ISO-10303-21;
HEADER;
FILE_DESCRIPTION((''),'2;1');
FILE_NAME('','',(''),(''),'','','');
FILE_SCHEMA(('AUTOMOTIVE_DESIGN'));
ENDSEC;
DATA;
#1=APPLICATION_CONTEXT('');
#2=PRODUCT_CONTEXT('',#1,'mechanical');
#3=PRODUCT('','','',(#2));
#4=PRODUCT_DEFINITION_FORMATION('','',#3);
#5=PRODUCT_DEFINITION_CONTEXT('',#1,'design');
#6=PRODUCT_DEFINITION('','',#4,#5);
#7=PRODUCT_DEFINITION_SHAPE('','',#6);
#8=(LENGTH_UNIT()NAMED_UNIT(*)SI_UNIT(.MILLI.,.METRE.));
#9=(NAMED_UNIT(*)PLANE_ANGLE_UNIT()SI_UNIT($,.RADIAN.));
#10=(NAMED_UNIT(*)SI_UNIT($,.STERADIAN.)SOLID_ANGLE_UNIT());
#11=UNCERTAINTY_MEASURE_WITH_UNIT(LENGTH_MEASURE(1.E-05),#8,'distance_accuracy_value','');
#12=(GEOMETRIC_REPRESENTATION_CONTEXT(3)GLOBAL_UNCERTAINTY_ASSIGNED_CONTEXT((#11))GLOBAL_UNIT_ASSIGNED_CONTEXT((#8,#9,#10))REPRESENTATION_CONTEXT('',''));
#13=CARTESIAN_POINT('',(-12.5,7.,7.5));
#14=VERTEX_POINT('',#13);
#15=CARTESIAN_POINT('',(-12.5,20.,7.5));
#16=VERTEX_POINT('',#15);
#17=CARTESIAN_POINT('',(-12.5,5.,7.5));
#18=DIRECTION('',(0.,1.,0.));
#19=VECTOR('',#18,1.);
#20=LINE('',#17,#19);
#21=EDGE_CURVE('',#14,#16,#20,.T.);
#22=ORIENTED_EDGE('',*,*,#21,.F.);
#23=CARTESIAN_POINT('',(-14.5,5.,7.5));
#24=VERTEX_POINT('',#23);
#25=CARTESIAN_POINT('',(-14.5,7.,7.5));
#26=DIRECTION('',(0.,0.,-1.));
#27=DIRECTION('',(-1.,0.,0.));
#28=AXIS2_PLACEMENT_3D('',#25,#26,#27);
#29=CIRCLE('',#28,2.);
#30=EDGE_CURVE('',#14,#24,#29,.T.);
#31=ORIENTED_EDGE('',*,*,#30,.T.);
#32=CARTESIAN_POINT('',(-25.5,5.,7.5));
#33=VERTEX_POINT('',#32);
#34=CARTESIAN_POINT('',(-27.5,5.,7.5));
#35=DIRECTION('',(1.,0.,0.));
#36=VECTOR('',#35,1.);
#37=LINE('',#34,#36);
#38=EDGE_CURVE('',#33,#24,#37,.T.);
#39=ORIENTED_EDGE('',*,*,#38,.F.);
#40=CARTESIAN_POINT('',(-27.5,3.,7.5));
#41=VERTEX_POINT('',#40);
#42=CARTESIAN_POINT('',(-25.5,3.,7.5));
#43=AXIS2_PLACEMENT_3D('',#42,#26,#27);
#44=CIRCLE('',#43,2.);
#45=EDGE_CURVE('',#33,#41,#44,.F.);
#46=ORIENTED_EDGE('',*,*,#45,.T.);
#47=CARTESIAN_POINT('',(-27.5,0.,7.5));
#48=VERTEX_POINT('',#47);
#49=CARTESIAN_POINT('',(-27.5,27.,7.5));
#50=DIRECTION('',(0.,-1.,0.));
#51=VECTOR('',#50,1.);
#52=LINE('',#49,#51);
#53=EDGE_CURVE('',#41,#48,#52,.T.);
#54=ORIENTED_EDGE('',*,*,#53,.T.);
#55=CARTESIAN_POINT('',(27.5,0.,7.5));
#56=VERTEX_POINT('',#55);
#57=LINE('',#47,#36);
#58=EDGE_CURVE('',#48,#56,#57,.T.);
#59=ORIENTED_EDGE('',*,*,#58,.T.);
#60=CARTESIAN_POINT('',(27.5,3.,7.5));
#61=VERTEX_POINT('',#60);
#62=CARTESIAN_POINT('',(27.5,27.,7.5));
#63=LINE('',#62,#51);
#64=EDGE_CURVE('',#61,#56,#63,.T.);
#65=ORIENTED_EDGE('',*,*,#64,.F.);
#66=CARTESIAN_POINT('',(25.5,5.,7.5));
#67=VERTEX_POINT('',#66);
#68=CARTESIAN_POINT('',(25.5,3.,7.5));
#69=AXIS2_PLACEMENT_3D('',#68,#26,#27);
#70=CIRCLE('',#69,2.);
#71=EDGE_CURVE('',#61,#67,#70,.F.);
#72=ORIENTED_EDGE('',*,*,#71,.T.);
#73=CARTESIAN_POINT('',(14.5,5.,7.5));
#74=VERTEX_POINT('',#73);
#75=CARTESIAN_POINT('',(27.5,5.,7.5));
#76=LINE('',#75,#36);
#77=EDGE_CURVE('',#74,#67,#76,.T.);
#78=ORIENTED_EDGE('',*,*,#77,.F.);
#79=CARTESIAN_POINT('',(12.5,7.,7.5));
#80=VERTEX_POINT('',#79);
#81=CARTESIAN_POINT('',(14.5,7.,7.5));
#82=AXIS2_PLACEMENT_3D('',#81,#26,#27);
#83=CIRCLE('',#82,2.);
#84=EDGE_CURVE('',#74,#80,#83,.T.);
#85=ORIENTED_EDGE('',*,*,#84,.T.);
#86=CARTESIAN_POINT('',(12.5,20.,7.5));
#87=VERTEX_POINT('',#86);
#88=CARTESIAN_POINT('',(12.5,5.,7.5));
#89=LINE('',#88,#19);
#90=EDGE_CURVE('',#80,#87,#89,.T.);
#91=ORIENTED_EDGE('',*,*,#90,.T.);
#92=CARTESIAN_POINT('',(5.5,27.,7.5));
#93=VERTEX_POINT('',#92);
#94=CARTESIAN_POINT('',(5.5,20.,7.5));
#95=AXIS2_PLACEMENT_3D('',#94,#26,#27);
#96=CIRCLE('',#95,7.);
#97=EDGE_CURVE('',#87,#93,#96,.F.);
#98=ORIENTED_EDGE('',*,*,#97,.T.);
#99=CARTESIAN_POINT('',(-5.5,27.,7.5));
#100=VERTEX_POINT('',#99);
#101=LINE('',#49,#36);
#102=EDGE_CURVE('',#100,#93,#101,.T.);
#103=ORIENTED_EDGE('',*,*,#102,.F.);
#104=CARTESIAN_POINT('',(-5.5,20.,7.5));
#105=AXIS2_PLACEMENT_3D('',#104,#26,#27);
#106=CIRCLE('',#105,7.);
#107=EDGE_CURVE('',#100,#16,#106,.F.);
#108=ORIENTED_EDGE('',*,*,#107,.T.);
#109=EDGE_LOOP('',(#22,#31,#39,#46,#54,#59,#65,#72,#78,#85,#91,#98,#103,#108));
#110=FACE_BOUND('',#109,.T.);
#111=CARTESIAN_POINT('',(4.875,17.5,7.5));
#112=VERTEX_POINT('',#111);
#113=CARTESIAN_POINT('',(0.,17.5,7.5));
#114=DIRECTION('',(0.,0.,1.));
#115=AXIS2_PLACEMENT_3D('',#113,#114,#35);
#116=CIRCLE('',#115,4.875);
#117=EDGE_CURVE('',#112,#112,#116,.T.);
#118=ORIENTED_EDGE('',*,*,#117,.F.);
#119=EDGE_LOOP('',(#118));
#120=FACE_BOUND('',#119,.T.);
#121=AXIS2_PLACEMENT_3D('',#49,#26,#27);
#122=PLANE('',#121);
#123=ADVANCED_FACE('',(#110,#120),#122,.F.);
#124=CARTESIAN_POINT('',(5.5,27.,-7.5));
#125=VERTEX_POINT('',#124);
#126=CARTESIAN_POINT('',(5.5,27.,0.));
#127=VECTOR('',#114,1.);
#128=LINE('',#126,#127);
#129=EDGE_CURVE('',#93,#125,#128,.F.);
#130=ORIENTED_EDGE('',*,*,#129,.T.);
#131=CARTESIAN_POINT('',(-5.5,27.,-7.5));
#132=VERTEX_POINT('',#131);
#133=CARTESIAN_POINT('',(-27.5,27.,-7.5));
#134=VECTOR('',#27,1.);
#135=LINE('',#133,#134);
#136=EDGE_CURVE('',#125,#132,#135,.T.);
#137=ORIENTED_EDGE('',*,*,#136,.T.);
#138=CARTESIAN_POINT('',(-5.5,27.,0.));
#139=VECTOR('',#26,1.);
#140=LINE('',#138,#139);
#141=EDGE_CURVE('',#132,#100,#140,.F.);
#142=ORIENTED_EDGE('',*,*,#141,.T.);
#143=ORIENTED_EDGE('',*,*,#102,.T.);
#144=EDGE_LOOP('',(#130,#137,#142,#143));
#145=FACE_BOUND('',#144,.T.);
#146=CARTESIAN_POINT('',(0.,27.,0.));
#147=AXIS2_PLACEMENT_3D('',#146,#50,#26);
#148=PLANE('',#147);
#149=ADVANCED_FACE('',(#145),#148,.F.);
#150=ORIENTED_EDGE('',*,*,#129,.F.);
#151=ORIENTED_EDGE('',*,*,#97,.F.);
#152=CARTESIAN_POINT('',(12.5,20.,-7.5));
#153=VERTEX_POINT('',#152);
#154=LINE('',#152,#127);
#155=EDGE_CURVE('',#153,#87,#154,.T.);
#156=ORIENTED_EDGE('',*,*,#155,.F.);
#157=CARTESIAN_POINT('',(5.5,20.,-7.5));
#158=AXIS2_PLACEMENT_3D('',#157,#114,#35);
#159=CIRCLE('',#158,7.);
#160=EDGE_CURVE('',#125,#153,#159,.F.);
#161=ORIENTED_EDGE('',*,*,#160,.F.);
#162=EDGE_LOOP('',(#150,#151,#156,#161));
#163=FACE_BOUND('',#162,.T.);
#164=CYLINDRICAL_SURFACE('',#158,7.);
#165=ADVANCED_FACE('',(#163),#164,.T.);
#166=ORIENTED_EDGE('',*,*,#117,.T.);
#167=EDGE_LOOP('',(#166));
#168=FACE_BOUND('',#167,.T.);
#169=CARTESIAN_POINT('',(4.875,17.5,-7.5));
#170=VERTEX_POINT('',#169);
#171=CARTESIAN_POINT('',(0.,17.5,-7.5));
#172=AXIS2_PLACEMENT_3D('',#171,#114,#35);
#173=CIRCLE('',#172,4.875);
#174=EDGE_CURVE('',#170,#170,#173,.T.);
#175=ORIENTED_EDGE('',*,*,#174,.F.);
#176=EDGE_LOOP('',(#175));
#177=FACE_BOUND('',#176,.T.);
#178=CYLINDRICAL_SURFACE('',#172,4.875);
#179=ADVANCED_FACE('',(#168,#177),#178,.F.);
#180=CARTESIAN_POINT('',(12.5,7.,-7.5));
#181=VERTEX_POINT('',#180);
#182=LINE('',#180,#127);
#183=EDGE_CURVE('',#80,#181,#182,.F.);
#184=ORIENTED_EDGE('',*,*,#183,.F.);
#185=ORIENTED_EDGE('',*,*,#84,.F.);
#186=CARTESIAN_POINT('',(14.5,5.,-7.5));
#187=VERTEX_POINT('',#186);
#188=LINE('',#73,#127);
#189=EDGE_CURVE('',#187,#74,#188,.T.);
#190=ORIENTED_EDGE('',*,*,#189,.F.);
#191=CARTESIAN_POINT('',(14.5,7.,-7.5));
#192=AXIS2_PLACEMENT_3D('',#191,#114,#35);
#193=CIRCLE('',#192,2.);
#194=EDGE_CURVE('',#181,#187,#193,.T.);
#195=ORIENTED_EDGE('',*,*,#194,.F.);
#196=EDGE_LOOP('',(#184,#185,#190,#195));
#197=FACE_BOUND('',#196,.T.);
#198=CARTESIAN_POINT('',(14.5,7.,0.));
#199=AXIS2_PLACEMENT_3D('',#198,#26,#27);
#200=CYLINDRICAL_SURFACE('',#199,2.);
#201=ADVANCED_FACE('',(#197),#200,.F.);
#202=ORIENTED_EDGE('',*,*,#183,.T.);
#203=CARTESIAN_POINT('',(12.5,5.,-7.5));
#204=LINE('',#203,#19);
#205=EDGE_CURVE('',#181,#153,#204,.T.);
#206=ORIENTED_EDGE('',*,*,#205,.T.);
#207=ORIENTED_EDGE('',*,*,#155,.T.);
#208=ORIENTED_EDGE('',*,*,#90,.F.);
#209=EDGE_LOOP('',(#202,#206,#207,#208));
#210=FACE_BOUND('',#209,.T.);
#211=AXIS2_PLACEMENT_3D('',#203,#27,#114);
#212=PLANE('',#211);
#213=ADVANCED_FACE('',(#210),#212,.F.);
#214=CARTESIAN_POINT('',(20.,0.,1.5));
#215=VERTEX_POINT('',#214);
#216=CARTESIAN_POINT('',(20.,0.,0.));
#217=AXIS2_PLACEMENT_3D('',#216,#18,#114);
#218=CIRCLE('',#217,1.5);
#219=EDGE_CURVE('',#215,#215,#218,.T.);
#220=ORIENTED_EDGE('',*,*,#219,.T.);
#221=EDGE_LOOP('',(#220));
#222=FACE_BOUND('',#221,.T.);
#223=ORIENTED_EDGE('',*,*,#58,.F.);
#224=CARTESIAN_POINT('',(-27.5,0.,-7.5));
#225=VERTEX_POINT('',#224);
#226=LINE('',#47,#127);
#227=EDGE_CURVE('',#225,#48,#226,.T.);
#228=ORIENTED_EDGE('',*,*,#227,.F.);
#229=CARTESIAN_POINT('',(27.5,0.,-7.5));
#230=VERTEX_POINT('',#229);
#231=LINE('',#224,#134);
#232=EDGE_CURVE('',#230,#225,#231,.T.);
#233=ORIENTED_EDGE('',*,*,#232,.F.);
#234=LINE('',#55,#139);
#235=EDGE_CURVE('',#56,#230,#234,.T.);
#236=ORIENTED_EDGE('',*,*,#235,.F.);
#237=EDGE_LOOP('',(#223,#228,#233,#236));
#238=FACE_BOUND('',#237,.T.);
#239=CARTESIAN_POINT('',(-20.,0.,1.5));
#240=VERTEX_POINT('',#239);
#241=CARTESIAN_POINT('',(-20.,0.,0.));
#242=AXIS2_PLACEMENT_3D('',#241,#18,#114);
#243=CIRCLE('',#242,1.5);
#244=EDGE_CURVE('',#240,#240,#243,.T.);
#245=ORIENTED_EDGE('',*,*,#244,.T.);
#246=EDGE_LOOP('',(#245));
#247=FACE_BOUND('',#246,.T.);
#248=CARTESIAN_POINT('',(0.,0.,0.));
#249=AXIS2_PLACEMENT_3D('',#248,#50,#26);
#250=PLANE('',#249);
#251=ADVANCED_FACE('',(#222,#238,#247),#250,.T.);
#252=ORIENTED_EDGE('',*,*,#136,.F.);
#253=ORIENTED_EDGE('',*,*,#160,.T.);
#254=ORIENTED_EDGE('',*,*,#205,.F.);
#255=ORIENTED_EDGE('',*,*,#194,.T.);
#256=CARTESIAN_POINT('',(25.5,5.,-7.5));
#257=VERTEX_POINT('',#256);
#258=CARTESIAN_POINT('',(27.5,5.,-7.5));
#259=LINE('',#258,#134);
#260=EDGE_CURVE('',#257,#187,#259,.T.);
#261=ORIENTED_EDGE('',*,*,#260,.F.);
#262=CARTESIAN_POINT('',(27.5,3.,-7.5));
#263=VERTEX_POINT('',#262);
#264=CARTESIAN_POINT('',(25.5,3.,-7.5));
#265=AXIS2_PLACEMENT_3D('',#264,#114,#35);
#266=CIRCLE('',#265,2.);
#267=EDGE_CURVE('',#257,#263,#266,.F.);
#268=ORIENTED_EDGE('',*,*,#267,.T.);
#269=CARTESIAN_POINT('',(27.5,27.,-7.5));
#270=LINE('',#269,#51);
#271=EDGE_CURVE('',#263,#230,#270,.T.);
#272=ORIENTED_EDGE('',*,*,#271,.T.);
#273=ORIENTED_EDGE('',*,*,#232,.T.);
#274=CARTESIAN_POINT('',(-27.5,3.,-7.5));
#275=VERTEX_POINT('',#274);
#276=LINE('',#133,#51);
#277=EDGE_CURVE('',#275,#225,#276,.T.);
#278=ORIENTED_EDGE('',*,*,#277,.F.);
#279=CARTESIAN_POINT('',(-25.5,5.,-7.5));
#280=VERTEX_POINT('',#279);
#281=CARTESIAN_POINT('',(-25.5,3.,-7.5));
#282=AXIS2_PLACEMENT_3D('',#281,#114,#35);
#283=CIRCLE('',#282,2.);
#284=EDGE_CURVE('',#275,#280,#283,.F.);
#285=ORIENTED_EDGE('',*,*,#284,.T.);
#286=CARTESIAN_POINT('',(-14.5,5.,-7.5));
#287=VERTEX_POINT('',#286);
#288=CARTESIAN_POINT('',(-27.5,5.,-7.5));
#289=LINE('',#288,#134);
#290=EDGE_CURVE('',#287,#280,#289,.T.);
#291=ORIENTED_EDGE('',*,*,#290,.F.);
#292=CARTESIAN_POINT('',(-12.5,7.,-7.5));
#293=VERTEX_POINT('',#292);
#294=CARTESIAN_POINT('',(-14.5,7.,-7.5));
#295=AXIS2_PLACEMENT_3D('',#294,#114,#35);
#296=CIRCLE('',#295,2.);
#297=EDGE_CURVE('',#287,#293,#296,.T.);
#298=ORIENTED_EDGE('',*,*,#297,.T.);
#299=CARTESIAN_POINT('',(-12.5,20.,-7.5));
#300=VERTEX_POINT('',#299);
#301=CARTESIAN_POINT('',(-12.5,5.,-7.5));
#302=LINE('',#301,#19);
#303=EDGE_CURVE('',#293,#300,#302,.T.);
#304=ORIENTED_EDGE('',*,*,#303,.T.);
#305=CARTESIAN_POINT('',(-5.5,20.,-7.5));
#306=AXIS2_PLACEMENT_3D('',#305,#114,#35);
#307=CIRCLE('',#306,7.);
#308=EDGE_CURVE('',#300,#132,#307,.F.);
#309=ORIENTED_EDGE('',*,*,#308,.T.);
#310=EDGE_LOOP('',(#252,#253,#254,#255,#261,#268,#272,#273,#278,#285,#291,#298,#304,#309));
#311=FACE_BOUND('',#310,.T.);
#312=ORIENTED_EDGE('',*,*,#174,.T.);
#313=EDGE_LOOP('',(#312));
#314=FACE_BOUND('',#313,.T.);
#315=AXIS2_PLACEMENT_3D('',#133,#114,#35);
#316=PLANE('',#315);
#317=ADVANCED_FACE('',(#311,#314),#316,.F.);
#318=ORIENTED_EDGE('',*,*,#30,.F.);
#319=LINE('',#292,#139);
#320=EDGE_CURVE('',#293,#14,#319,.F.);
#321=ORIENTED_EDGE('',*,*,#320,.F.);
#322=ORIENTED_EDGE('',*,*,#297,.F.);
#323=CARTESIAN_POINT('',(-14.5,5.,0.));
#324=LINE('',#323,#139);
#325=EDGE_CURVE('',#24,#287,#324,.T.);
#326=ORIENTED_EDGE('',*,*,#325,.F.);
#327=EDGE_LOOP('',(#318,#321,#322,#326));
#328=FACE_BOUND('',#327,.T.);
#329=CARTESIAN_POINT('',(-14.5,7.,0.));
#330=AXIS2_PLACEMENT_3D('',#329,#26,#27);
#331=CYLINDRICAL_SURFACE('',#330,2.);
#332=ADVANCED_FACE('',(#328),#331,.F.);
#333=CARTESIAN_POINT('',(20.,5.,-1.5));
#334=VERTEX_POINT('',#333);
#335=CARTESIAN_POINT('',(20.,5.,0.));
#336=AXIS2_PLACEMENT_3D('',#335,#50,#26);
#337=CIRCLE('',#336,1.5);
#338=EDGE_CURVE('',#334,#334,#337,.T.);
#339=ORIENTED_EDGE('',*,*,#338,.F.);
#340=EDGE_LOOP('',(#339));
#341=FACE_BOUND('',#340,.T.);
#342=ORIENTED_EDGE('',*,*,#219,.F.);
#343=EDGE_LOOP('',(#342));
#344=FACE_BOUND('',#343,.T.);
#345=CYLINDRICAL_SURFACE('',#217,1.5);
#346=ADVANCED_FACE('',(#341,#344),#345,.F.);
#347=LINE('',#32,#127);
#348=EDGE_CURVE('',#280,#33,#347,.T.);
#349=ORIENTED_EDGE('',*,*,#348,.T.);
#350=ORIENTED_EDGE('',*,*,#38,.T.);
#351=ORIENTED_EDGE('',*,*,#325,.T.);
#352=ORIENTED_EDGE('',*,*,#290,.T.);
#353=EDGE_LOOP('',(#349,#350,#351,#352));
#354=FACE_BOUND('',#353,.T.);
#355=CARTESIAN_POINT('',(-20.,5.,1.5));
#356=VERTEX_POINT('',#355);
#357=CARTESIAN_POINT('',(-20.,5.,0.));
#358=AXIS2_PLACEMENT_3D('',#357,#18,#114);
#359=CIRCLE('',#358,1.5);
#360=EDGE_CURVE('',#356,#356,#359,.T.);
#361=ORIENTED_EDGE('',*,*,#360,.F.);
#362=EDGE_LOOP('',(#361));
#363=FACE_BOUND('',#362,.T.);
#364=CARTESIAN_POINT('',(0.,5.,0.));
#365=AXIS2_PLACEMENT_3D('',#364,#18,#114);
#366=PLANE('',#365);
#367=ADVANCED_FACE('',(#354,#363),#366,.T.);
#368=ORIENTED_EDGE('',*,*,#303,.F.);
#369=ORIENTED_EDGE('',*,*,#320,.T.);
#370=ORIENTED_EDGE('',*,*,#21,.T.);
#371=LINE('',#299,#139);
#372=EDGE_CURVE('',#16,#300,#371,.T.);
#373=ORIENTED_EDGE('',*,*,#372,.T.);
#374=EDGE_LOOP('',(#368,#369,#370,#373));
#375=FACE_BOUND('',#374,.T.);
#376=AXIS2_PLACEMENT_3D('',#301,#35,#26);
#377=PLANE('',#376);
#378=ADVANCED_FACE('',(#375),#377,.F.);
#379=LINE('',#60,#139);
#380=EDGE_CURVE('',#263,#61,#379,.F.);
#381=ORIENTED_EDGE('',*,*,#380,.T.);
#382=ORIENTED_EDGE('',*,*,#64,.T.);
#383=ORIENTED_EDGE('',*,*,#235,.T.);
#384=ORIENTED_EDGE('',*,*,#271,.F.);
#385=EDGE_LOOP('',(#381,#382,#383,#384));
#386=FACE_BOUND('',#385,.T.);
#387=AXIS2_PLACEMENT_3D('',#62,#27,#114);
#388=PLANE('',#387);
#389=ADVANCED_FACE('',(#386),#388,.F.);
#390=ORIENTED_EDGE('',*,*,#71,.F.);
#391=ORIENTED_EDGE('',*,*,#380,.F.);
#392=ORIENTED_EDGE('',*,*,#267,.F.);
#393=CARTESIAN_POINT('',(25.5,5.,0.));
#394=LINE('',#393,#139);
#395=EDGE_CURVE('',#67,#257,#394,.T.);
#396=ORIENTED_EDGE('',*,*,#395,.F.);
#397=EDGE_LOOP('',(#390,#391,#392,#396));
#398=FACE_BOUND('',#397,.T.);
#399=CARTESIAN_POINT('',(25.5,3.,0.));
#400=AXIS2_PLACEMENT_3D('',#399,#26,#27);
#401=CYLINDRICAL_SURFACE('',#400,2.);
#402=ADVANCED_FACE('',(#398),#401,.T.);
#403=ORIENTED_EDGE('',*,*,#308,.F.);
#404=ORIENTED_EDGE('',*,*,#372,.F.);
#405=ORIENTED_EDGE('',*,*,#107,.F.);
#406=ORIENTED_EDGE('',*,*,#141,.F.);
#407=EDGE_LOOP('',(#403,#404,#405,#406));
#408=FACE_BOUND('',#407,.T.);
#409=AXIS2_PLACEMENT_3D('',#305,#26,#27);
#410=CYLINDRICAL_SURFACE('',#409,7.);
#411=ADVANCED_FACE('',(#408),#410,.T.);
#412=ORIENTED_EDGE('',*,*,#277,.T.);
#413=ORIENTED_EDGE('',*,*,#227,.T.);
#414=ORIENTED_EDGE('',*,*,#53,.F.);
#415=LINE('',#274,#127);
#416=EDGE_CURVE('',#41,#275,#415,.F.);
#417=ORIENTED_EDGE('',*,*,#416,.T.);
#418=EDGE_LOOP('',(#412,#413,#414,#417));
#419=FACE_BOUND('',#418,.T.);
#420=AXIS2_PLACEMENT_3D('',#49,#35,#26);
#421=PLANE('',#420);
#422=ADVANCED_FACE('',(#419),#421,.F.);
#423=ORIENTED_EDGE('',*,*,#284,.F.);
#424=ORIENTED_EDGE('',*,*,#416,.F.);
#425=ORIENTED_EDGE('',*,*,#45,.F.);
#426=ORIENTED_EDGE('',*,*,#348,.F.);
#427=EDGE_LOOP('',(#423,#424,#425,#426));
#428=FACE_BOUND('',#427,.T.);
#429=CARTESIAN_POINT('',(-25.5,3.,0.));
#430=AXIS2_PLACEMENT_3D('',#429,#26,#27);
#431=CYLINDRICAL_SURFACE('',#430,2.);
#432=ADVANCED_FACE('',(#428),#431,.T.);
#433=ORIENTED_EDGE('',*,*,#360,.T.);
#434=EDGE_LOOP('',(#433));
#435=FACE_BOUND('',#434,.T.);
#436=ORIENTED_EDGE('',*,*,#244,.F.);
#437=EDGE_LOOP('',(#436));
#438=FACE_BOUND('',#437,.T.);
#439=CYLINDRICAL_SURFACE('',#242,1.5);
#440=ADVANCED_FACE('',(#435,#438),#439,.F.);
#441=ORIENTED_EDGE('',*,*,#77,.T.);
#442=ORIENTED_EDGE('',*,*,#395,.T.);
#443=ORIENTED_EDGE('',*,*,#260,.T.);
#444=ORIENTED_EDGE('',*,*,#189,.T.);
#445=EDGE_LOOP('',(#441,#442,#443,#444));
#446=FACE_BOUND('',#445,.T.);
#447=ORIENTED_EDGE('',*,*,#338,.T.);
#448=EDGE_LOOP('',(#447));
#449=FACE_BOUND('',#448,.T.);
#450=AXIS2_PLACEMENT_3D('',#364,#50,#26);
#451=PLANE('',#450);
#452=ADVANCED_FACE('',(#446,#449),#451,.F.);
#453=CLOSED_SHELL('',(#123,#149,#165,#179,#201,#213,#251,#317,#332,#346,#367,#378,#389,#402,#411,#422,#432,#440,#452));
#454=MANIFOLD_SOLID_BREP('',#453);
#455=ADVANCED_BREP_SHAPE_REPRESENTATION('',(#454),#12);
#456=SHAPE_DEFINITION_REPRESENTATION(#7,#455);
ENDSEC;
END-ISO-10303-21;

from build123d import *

# Parameters (mm, degrees)
SKETCH1_W               = 55
SKETCH1_H               = 15
BOSS_EXTRUDE1_DEPTH     = 27
CUT_EXTRUDE1_DEPTH      = 42.355168964
CUT_EXTRUDE1_DEPTH_BACK = 42.355168964
SKETCH2_R               = 4.875
SKETCH4_W               = 15
SKETCH4_H               = 15
CUT_EXTRUDE2_DEPTH      = 22
CUT_EXTRUDE3_DEPTH      = 37.006943775
CUT_EXTRUDE3_DEPTH_BACK = 37.006943775
SKETCH5_R               = 1.5
FILLET1_R               = 2
FILLET2_R               = 7


with BuildPart() as part:
    # Sketch1 → Boss-Extrude1 (new body)
    with BuildSketch(Plane(origin=(0, 0, 0), x_dir=(1, 0, 0), z_dir=(0, 1, 0))):
        Rectangle(SKETCH1_W, SKETCH1_H)
    extrude(amount=BOSS_EXTRUDE1_DEPTH)

    # Sketch2 → Cut-Extrude1 (cut, two sides: drawn at the far end of the back side and taken through both)
    with BuildSketch(Plane.XY.offset(7.5).offset(-CUT_EXTRUDE1_DEPTH_BACK)):
        with Locations((0, 17.5)):
            Circle(SKETCH2_R)
    extrude(amount=CUT_EXTRUDE1_DEPTH + CUT_EXTRUDE1_DEPTH_BACK, mode=Mode.SUBTRACT)

    # Sketch4 → Cut-Extrude2 (cut)
    with BuildSketch(Plane(origin=(0, 27, 0), x_dir=(1, 0, 0), z_dir=(0, 1, 0))):
        with Locations((-20, 0)):
            Rectangle(SKETCH4_W, SKETCH4_H)
        with Locations((20, 0)):
            Rectangle(SKETCH4_W, SKETCH4_H)
    extrude(amount=-CUT_EXTRUDE2_DEPTH, mode=Mode.SUBTRACT)

    # Sketch5 → Cut-Extrude3 (cut, two sides: drawn at the far end of the back side and taken through both)
    with BuildSketch(Plane(origin=(0, 5, 0), x_dir=(1, 0, 0), z_dir=(0, 1, 0)).offset(-CUT_EXTRUDE3_DEPTH_BACK)):
        with Locations(Location((-20, 0, 0), (0, 0, 270))):
            Circle(SKETCH5_R)
        with Locations(Location((20, 0, 0), (0, 0, 270))):
            Circle(SKETCH5_R)
    extrude(amount=CUT_EXTRUDE3_DEPTH + CUT_EXTRUDE3_DEPTH_BACK, mode=Mode.SUBTRACT)

    # Fillet1
    fillet1_edges = [part.edges().sort_by_distance(p)[0] for p in [
        (-27.5, 5, 0),
        (-12.5, 5, 0),
        (27.5, 5, 0),
        (12.5, 5, 0),
    ]]
    fillet(fillet1_edges, radius=FILLET1_R)

    # Fillet2
    fillet2_edges = [part.edges().sort_by_distance(p)[0] for p in [
        (-12.5, 27, 0),
        (12.5, 27, 0),
    ]]
    fillet(fillet2_edges, radius=FILLET2_R)


solid = part.part
